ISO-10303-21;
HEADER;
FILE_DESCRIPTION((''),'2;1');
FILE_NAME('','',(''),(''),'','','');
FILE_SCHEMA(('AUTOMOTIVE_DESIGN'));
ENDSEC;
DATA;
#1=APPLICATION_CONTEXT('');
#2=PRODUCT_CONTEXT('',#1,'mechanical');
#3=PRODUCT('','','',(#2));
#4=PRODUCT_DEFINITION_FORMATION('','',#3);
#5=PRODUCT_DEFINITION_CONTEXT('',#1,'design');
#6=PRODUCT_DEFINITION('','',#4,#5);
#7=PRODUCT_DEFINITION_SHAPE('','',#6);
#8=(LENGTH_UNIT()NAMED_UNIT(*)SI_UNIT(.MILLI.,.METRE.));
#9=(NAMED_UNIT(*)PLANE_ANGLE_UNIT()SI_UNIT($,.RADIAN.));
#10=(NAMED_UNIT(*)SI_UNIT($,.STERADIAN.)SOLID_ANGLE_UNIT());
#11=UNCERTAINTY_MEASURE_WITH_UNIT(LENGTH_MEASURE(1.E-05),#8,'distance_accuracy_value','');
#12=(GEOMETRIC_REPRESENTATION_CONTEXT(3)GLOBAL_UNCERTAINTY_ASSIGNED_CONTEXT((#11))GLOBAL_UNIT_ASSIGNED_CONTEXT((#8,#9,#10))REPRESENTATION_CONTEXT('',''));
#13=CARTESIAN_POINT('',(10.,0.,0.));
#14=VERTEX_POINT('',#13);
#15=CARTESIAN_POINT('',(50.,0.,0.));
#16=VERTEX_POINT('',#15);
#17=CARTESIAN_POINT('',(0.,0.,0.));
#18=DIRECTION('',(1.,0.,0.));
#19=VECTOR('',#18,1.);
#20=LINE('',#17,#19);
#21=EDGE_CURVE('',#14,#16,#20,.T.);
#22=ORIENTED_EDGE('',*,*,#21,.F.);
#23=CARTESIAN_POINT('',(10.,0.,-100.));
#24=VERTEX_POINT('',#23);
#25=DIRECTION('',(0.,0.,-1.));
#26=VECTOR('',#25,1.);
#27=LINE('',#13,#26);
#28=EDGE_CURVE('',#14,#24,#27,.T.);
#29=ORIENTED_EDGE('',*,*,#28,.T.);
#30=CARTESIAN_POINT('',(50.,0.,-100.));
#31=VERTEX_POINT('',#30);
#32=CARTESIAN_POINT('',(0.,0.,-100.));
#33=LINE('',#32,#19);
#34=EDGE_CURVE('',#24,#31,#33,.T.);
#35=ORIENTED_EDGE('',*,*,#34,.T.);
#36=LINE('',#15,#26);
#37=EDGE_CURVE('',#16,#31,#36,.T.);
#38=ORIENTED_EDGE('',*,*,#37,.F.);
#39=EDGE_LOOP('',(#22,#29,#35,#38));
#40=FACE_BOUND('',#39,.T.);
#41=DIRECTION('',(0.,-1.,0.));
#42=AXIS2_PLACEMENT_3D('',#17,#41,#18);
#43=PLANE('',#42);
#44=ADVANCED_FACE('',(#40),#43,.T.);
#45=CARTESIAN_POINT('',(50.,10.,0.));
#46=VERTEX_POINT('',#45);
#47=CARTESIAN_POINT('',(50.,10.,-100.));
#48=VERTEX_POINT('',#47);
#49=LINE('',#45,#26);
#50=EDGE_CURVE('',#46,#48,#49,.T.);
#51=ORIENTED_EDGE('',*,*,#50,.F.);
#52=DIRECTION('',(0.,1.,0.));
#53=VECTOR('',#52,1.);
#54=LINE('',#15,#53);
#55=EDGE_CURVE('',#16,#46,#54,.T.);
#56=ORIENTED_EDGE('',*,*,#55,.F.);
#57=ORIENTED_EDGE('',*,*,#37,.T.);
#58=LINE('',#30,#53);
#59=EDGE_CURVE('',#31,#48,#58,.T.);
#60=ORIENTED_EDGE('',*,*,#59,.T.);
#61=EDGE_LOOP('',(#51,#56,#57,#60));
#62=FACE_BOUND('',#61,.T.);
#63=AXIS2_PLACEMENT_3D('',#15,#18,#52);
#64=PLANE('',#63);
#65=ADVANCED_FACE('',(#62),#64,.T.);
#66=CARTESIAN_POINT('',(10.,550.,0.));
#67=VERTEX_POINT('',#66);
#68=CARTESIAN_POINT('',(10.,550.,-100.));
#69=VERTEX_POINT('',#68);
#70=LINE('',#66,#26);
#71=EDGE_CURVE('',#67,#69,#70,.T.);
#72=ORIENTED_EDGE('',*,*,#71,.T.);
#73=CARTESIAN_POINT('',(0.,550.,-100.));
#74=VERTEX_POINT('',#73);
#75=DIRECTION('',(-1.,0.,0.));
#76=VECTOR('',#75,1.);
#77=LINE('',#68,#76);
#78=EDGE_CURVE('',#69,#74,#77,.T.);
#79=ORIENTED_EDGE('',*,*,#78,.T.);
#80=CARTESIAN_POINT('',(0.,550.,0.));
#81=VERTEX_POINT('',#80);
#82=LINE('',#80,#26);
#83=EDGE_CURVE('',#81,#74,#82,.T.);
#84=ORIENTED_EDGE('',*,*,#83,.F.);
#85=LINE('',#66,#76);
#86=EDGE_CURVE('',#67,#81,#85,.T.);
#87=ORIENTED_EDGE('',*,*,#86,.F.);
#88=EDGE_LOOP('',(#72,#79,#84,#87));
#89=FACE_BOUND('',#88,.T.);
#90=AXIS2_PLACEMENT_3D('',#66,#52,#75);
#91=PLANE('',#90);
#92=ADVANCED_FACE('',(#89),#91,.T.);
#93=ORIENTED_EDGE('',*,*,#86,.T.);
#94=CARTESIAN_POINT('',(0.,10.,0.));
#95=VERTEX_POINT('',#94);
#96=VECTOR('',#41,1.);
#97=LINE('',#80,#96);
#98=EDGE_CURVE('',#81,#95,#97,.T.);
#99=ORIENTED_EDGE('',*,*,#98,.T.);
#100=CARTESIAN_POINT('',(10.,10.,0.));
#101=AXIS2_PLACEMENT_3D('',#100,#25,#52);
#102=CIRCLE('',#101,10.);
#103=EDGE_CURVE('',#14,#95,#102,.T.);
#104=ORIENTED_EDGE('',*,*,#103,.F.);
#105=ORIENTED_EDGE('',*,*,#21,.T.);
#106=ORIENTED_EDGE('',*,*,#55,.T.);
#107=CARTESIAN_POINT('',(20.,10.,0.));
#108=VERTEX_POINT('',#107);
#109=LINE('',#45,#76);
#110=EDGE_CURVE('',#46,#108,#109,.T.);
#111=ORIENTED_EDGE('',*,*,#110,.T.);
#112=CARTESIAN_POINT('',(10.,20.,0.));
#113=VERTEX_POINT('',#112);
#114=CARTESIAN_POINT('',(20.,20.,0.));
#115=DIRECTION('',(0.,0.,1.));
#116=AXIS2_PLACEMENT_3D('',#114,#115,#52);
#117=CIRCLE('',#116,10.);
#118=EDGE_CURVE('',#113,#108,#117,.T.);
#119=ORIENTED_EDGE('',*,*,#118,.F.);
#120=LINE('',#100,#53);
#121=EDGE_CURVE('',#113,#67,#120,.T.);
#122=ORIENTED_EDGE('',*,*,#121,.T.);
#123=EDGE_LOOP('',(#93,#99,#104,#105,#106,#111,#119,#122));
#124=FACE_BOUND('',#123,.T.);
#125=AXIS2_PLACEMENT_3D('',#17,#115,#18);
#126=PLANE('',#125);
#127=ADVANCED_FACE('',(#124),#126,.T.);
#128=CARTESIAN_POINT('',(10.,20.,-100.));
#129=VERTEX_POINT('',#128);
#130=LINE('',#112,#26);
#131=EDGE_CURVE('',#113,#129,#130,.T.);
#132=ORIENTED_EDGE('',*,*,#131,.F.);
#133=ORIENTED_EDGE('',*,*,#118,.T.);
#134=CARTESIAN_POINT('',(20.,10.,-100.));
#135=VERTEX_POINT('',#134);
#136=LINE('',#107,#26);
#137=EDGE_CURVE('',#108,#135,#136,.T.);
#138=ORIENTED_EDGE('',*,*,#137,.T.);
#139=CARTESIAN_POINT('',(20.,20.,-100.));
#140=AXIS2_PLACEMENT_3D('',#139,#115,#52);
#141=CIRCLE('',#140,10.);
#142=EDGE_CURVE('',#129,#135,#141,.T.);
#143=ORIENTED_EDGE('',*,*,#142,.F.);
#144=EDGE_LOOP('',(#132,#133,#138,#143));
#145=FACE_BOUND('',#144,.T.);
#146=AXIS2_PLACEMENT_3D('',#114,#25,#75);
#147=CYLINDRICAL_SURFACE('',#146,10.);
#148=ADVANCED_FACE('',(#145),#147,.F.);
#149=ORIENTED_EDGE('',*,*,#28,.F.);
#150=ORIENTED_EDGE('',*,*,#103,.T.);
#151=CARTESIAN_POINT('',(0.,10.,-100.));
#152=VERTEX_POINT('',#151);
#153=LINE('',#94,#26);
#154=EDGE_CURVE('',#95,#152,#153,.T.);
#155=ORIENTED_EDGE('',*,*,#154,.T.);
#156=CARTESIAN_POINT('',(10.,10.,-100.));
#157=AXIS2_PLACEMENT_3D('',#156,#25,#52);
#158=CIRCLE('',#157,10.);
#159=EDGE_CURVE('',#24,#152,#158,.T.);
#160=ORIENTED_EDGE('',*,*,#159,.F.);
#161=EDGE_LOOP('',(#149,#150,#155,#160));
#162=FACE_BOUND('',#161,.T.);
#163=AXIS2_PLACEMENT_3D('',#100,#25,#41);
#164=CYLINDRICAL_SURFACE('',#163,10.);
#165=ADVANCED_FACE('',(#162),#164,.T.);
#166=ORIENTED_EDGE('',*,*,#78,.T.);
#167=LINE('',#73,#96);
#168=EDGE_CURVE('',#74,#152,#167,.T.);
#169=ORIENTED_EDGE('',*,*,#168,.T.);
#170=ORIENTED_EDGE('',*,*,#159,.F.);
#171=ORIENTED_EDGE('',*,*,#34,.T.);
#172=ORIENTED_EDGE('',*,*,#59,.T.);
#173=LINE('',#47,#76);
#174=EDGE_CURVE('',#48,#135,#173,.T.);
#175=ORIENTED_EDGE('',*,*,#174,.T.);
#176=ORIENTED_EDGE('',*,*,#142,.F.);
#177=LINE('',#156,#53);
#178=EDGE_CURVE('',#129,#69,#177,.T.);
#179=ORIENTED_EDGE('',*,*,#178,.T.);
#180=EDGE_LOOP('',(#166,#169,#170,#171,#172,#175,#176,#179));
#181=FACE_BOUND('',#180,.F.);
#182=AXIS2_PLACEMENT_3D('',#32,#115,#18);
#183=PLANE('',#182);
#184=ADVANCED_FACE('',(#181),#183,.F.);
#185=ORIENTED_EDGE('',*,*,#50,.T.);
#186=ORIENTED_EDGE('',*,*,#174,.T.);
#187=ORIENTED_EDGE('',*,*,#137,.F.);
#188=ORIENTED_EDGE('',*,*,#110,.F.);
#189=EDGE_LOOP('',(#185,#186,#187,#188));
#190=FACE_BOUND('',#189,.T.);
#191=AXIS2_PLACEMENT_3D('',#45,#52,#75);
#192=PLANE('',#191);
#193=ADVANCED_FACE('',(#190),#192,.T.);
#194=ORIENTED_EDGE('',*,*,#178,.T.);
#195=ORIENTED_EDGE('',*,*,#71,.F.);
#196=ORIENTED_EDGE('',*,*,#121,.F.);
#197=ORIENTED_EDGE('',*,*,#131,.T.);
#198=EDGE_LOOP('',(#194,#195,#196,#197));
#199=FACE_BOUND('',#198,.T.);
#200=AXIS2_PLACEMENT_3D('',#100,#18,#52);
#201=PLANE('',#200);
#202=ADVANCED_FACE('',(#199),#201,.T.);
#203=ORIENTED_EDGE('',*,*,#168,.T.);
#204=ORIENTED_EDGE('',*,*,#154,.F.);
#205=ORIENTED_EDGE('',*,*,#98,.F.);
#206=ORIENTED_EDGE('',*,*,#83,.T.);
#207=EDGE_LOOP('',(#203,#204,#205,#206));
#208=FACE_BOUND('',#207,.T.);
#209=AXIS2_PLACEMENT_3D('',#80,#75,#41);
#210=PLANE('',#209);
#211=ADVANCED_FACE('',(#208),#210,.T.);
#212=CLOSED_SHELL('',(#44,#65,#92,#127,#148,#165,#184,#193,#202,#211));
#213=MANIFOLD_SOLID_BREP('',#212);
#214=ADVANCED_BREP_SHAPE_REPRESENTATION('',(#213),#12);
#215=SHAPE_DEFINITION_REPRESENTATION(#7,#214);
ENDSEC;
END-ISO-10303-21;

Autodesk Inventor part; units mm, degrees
ref_plane "YZ Plane" through (0, 0, 0) normal (1, 0, 0) x (0, 1, 0)
ref_plane "XZ Plane" through (0, 0, 0) normal (0, 1, 0) x (-1, 0, 0)
ref_plane "XY Plane" through (0, 0, 0) normal (0, 0, 1) x (1, 0, 0)
sketch "Sketch1" plane through (0, 0, 0) normal (0, 0, 1) x (1, 0, 0)
  line L0 (0, 550) -> (0, 0)
  line L1 (0, 0) -> (50, 0)
  line L2 (50, 0) -> (50, 10)
  line L3 (50, 10) -> (10, 10)
  line L4 (10, 10) -> (10, 550)
  line L5 (10, 550) -> (0, 550)
  dimension "d1" = 550
  dimension "d2" = 50
  dimension "d3" = 10
  dimension "d4" = 10
extrude "Extrusion1" add sketch "Sketch1" against normal blind 100
fillet "Fillet1" radius 10 2 edges at (10, 10, -50) (0, 0, -50)
sketch "Sketch2" plane through (10, 550, 0) normal (1, 0, 0) x (0, 0, -1)
  line L0 (0, -530) -> (0, 0) projected
  line L1 (0, 0) -> (100, 0) projected
  point P0 (0, -550)
  point P1 (50, -100)
  dimension "d8" = 50
  dimension "d9" = 100
properties part number "fea_leg" material "PMMA Plastic"
